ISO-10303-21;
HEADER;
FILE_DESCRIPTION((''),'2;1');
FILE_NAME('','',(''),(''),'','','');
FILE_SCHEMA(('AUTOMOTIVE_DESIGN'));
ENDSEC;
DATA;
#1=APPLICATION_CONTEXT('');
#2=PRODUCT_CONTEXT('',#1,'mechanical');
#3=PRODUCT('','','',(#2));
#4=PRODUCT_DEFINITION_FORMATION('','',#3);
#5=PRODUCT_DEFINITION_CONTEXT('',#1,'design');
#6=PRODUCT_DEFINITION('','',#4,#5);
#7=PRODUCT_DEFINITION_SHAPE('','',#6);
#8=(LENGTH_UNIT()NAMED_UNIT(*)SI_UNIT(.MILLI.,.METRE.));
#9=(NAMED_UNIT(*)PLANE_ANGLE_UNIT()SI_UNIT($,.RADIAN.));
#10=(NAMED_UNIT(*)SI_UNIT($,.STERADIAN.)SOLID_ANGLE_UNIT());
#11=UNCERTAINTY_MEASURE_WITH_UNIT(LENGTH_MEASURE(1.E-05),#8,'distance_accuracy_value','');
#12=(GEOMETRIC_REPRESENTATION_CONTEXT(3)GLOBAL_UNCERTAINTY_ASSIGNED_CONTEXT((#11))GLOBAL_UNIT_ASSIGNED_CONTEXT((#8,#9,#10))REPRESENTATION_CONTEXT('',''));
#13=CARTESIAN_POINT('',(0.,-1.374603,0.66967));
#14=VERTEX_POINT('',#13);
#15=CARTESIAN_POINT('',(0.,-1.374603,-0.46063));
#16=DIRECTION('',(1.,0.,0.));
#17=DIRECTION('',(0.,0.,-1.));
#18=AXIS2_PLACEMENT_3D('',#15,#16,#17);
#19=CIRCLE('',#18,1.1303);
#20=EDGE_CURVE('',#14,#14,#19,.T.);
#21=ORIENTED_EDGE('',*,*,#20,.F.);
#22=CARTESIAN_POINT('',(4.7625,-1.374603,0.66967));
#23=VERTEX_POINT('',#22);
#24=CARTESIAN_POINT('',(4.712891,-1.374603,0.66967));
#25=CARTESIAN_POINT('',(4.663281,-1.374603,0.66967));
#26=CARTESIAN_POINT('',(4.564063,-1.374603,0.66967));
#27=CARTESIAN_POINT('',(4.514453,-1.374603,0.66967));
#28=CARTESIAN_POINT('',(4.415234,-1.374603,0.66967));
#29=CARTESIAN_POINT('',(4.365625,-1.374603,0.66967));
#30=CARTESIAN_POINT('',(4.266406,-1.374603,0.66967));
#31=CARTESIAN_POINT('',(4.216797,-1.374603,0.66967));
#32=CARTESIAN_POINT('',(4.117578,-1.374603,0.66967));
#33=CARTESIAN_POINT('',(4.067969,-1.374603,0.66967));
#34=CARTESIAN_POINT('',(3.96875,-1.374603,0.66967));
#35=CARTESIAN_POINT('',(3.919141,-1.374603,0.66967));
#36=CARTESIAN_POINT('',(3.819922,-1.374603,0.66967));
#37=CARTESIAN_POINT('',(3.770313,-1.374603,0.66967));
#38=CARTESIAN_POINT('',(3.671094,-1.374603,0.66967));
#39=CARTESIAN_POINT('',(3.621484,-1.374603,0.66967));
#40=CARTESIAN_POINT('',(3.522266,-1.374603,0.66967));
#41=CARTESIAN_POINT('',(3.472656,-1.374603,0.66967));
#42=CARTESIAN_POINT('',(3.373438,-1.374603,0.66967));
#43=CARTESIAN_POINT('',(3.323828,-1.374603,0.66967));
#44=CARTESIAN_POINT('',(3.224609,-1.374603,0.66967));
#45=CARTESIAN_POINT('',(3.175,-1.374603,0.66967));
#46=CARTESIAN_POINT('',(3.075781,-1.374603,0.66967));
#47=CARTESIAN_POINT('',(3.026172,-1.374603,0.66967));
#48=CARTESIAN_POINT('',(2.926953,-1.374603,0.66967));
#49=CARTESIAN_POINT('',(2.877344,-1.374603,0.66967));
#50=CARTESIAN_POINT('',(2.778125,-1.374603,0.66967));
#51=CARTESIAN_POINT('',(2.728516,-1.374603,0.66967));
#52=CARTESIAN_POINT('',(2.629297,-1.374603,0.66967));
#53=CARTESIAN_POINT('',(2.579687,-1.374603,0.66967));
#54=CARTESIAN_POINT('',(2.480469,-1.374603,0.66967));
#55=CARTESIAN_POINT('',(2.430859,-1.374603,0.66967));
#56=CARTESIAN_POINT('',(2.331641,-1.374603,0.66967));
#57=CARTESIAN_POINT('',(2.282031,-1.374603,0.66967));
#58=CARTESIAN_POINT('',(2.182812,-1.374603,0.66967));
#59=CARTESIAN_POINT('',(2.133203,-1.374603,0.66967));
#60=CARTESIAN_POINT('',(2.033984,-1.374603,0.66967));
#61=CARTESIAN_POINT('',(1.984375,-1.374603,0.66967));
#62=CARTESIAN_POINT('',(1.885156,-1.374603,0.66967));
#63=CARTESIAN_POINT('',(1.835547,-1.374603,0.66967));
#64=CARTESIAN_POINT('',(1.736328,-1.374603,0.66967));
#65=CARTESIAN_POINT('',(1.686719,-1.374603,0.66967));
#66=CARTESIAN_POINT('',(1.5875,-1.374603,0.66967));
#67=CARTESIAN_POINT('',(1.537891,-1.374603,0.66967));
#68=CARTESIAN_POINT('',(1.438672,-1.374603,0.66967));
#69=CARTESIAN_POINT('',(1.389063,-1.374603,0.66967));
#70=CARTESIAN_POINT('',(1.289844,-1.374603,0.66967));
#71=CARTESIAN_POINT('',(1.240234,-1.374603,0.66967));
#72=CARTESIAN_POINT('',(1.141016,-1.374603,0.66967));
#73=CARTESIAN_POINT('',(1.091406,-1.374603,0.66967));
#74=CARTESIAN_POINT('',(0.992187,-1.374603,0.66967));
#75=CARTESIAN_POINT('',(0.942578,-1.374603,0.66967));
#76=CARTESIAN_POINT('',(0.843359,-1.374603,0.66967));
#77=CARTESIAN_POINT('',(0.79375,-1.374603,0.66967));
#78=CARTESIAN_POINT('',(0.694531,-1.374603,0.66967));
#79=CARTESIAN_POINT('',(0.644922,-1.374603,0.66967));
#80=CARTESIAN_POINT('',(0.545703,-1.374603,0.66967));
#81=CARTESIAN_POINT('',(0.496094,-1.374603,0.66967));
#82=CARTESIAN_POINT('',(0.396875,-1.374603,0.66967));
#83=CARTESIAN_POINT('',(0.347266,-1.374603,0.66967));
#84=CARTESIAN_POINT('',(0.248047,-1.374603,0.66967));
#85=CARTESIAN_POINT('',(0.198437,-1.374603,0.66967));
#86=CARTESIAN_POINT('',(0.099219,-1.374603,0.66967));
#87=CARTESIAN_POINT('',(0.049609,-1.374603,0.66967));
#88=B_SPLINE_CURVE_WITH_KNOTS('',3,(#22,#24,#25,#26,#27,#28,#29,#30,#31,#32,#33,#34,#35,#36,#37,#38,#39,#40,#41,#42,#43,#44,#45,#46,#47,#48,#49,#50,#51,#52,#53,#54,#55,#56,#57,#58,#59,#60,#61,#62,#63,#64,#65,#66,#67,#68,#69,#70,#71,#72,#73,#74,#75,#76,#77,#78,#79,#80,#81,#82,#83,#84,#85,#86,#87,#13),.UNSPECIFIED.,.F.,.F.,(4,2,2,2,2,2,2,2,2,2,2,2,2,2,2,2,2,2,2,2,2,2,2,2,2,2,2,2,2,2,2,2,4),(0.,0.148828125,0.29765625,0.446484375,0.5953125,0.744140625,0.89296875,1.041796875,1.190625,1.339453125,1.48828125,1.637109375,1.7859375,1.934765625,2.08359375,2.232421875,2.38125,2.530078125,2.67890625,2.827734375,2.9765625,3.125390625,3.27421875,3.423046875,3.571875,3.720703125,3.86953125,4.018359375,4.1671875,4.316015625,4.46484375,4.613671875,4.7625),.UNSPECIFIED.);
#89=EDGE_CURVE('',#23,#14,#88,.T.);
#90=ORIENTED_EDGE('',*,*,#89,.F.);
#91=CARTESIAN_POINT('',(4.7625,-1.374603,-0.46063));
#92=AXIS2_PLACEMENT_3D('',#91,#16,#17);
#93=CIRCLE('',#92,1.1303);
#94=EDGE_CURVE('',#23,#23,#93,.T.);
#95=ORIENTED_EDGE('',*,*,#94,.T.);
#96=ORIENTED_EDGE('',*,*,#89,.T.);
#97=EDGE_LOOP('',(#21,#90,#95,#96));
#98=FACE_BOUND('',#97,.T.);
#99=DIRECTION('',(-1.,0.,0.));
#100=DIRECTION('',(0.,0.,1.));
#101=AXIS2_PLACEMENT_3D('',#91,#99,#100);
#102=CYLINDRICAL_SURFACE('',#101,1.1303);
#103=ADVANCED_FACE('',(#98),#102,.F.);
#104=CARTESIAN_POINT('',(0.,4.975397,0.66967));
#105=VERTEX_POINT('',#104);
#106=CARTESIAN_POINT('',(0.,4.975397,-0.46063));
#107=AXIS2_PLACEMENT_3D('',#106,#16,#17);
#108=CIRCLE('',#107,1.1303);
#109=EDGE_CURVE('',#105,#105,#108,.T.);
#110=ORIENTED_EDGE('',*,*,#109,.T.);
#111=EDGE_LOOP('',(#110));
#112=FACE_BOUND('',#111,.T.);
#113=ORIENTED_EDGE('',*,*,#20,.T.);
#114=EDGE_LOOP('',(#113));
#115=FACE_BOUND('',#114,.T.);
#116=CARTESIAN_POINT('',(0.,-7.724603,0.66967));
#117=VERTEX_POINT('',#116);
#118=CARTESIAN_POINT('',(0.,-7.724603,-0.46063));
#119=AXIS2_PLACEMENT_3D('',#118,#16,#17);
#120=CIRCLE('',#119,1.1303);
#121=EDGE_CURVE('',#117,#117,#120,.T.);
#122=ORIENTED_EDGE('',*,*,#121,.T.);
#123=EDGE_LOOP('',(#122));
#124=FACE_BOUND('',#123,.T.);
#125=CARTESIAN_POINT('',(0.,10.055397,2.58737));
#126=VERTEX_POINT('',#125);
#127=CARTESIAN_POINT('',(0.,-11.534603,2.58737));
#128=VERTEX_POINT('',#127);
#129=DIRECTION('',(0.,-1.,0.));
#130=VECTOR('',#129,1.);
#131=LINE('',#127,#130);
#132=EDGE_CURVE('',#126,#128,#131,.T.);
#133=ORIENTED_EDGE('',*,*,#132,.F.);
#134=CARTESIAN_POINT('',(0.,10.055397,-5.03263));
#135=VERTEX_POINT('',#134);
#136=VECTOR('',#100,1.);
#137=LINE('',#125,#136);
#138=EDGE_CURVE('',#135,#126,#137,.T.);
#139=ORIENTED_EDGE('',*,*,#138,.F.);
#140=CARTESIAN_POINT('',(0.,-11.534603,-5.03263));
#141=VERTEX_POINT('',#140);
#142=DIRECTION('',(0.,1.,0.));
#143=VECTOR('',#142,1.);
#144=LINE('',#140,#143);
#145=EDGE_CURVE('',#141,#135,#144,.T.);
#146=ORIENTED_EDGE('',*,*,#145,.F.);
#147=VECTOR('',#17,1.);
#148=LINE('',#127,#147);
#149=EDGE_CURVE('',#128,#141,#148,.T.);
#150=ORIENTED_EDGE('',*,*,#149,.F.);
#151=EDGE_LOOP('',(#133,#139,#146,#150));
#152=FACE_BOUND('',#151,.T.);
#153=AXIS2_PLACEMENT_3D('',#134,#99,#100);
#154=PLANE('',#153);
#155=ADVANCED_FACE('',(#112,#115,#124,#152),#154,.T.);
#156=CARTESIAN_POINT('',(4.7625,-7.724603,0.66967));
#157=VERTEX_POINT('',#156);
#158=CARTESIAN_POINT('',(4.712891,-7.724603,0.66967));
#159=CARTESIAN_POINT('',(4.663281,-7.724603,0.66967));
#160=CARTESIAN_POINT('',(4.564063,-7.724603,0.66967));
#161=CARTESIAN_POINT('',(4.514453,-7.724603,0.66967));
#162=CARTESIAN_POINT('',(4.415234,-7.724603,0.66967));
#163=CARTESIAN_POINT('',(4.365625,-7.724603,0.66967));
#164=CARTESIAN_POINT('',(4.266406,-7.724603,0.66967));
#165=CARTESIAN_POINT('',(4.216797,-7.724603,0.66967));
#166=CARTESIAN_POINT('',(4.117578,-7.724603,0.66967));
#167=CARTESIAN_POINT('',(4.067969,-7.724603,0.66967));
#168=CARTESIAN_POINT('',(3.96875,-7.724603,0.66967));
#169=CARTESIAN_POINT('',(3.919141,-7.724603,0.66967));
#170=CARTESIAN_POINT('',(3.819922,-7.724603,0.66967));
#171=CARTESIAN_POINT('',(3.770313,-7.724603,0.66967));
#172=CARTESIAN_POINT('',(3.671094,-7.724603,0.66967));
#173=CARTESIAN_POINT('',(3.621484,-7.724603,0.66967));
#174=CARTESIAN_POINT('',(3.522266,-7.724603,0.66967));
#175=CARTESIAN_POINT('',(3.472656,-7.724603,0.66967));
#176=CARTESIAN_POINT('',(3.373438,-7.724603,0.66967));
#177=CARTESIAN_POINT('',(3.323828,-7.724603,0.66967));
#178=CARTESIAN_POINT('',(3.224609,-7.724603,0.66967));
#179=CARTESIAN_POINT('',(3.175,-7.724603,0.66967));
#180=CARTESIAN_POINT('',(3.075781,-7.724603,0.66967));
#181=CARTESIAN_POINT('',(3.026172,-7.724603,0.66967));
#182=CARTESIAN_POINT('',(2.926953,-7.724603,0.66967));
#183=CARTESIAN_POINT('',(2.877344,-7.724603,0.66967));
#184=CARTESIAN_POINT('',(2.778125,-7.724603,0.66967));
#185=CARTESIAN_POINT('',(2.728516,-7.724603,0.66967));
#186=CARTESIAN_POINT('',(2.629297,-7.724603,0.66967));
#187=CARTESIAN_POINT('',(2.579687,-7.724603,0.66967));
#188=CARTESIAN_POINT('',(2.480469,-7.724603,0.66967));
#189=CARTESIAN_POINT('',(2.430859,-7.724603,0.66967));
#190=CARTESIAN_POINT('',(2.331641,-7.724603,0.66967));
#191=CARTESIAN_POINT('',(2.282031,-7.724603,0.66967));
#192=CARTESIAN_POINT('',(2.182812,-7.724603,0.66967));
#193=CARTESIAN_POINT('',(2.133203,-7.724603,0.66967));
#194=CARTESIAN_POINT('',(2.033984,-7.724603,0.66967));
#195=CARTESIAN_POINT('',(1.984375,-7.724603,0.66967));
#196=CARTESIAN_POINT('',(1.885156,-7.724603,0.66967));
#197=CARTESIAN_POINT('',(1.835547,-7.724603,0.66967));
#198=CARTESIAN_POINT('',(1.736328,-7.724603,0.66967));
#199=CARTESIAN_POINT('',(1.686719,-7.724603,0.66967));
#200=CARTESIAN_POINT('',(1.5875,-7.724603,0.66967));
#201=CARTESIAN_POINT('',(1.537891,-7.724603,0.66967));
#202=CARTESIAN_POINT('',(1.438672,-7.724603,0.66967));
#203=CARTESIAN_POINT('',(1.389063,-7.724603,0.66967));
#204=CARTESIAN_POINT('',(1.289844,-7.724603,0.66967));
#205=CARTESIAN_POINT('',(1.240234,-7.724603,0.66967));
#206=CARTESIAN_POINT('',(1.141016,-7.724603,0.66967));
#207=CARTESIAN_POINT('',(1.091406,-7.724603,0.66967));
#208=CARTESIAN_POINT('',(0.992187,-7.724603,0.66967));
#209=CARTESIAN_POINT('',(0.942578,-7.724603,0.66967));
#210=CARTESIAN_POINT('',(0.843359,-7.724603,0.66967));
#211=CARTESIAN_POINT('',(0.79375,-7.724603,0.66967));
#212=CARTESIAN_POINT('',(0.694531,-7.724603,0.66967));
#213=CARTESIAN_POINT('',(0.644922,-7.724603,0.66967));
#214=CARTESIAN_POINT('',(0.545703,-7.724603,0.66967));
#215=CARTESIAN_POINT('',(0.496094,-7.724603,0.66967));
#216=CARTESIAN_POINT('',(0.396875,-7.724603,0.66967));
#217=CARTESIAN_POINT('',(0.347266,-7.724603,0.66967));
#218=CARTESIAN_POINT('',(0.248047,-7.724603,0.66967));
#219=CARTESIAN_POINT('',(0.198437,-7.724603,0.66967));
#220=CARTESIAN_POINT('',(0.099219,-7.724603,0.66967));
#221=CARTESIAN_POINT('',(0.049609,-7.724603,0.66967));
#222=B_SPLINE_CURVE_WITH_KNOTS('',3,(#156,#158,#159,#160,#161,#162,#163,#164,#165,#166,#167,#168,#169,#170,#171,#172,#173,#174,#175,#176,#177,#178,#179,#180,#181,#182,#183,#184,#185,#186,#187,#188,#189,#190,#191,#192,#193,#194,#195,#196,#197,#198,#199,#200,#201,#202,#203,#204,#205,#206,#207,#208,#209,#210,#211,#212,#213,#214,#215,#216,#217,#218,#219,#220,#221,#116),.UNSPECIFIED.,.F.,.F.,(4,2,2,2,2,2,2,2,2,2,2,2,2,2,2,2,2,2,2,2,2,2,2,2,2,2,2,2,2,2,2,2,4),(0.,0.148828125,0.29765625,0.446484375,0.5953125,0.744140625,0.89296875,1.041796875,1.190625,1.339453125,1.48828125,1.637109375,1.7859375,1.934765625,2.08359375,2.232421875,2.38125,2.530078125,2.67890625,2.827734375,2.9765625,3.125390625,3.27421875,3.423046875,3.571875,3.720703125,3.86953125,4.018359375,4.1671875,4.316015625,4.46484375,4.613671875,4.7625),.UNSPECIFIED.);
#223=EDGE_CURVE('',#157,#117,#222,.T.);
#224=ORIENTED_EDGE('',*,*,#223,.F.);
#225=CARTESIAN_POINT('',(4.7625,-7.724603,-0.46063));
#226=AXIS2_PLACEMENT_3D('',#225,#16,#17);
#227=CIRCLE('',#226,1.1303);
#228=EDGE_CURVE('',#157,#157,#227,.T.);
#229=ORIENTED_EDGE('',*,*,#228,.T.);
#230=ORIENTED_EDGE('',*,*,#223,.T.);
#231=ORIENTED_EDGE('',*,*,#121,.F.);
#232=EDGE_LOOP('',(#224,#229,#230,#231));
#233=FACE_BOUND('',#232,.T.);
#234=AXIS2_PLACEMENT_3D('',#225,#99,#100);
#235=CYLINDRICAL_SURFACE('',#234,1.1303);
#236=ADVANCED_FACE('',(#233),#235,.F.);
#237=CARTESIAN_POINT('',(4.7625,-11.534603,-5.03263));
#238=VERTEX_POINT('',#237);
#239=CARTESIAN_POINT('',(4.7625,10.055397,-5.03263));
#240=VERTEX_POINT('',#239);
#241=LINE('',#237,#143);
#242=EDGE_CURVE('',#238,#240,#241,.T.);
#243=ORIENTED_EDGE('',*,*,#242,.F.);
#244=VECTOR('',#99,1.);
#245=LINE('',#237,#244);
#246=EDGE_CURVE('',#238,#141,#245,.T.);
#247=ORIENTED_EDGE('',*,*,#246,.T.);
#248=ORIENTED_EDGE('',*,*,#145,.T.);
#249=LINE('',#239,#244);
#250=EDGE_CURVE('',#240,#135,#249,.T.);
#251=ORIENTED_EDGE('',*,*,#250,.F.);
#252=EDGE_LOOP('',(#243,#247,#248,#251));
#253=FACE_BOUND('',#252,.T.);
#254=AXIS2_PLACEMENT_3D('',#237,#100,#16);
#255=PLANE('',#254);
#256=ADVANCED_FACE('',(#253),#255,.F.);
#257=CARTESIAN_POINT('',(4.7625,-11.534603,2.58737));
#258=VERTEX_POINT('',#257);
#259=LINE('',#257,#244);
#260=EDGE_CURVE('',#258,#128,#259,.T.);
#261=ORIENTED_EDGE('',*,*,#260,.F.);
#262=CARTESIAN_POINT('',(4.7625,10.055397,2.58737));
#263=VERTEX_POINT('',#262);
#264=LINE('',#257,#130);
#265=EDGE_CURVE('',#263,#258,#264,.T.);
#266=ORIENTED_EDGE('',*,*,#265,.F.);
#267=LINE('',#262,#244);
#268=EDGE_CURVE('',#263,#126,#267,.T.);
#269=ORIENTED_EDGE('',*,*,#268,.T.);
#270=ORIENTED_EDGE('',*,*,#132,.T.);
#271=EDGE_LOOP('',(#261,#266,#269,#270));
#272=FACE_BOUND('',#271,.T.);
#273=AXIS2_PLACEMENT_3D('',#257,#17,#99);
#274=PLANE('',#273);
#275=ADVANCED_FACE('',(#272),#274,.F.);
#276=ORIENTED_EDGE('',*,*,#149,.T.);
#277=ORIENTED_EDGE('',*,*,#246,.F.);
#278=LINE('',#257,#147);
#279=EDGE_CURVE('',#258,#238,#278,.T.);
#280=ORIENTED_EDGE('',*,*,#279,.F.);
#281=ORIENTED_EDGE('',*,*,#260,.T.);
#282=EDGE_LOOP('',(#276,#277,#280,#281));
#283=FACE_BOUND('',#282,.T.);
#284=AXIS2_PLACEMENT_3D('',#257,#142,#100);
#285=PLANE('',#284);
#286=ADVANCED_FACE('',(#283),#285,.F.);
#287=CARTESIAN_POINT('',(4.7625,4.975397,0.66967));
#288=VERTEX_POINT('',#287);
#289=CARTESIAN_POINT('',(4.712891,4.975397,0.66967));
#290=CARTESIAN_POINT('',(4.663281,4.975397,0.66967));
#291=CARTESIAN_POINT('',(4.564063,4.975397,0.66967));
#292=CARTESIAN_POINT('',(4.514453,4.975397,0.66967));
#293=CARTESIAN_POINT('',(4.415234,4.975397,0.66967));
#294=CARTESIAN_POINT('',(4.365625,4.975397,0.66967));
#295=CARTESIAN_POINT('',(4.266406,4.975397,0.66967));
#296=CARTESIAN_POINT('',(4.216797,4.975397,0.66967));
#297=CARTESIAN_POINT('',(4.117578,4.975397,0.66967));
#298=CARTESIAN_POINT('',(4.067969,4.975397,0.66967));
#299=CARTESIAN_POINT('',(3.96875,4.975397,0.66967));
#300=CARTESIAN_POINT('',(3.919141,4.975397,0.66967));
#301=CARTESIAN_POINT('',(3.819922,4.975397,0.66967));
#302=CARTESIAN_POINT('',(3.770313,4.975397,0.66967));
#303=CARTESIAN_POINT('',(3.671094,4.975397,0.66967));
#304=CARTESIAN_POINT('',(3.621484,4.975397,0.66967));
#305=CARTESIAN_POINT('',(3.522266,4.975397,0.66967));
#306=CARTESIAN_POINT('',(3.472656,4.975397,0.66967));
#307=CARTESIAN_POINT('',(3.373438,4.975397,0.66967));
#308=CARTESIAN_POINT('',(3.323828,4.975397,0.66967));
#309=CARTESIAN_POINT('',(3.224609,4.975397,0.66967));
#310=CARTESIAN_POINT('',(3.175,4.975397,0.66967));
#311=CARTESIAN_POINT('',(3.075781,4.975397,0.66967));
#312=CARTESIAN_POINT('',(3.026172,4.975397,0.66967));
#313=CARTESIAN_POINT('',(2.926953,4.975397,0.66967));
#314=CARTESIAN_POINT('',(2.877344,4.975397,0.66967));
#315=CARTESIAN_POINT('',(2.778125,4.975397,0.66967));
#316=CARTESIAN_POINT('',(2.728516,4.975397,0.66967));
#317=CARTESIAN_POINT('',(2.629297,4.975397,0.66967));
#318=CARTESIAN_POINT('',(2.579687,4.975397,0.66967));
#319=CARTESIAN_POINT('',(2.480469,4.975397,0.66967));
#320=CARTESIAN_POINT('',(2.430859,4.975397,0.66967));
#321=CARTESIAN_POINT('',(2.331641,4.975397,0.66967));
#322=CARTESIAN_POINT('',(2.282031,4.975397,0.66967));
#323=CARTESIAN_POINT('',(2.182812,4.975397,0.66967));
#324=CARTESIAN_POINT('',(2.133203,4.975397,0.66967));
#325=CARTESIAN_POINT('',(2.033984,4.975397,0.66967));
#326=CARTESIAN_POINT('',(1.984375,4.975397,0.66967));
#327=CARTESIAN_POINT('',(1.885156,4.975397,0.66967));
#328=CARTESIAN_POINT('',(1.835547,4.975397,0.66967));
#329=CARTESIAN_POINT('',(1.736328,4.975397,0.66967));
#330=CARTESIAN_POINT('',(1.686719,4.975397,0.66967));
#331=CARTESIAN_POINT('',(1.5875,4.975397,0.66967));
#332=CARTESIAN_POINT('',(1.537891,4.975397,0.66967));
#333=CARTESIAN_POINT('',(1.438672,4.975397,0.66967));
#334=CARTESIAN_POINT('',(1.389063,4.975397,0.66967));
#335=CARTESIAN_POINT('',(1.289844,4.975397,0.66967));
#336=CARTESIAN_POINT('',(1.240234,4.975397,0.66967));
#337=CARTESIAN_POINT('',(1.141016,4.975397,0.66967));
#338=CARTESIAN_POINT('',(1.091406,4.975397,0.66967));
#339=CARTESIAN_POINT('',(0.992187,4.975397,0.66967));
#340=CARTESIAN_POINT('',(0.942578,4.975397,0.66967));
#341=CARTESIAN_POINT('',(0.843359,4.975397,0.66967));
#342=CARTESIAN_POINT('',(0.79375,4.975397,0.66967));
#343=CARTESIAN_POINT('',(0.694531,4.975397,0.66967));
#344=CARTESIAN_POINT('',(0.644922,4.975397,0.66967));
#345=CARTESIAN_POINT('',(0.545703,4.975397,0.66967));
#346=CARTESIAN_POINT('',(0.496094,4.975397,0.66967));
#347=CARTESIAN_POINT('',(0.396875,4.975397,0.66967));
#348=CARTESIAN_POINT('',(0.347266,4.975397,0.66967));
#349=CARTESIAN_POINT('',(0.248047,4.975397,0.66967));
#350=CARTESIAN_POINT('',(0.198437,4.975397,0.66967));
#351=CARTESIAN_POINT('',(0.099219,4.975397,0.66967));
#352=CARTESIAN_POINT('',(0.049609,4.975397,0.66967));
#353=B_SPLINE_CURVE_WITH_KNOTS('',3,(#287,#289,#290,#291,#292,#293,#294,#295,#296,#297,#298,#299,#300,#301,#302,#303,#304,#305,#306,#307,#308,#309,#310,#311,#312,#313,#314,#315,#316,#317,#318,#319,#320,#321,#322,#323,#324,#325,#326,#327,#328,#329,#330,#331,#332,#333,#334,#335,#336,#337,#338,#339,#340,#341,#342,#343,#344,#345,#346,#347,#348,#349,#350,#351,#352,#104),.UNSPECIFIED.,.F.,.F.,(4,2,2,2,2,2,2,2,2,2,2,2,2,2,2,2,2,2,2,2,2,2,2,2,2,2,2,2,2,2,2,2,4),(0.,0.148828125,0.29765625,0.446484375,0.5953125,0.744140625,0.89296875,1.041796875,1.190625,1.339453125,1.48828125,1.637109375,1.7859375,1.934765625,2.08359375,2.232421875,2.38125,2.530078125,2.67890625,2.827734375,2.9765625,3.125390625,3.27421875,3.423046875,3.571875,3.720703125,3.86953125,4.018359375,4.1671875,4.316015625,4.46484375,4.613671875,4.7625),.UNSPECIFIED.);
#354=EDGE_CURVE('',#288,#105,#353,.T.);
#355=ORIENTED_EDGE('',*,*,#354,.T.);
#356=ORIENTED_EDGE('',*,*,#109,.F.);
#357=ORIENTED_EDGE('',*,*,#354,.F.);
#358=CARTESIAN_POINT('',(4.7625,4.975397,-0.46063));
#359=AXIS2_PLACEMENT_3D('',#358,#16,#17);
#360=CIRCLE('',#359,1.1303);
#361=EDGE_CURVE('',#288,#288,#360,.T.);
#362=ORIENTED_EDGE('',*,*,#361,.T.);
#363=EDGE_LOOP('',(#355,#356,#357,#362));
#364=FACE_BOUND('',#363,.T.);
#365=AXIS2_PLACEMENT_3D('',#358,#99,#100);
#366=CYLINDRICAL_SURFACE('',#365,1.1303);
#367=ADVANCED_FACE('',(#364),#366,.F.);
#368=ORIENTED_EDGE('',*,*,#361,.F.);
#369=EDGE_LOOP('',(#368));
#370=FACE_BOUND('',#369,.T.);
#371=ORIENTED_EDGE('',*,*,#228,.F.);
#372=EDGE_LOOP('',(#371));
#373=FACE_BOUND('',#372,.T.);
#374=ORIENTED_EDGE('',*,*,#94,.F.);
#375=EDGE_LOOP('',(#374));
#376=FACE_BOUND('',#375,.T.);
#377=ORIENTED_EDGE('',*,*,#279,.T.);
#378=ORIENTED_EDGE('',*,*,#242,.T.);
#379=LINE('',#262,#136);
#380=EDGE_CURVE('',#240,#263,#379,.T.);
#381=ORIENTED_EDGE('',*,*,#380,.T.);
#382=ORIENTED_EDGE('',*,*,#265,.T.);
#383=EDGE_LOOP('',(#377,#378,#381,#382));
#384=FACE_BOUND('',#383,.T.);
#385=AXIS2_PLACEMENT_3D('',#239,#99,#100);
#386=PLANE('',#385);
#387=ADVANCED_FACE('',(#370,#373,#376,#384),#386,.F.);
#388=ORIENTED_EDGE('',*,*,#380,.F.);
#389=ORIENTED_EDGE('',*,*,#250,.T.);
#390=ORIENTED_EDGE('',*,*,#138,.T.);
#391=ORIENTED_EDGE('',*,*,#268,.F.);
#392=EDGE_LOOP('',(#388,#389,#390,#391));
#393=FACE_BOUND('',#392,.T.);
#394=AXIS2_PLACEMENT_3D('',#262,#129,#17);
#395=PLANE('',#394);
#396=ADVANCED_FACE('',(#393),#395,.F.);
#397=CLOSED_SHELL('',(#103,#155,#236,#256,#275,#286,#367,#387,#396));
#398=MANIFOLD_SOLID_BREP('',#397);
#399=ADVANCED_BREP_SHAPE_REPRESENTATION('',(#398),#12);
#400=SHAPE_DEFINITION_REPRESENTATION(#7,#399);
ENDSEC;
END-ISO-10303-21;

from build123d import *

# Parameters (mm, degrees)
SKETCH1_W           = 7.62
SKETCH1_H           = 21.59
SKETCH1_R           = 1.1303
BOSS_EXTRUDE1_DEPTH = 4.7625


with BuildPart() as part:
    # Sketch1 → Boss-Extrude1 (new body)
    with BuildSketch(Plane(origin=(0, 0, 0), x_dir=(0, 0, -1), z_dir=(1, 0, 0))):
        with Locations((1.222630258, -0.739603457)):
            Rectangle(SKETCH1_W, SKETCH1_H)
        with Locations(Location((0.460630258, 4.975396543, 0), (0, 0, 180))):
            Circle(SKETCH1_R, mode=Mode.SUBTRACT)
        with Locations(Location((0.460630258, -1.374603457, 0), (0, 0, 180))):
            Circle(SKETCH1_R, mode=Mode.SUBTRACT)
        with Locations(Location((0.460630258, -7.724603457, 0), (0, 0, 180))):
            Circle(SKETCH1_R, mode=Mode.SUBTRACT)
    extrude(amount=BOSS_EXTRUDE1_DEPTH)


solid = part.part
